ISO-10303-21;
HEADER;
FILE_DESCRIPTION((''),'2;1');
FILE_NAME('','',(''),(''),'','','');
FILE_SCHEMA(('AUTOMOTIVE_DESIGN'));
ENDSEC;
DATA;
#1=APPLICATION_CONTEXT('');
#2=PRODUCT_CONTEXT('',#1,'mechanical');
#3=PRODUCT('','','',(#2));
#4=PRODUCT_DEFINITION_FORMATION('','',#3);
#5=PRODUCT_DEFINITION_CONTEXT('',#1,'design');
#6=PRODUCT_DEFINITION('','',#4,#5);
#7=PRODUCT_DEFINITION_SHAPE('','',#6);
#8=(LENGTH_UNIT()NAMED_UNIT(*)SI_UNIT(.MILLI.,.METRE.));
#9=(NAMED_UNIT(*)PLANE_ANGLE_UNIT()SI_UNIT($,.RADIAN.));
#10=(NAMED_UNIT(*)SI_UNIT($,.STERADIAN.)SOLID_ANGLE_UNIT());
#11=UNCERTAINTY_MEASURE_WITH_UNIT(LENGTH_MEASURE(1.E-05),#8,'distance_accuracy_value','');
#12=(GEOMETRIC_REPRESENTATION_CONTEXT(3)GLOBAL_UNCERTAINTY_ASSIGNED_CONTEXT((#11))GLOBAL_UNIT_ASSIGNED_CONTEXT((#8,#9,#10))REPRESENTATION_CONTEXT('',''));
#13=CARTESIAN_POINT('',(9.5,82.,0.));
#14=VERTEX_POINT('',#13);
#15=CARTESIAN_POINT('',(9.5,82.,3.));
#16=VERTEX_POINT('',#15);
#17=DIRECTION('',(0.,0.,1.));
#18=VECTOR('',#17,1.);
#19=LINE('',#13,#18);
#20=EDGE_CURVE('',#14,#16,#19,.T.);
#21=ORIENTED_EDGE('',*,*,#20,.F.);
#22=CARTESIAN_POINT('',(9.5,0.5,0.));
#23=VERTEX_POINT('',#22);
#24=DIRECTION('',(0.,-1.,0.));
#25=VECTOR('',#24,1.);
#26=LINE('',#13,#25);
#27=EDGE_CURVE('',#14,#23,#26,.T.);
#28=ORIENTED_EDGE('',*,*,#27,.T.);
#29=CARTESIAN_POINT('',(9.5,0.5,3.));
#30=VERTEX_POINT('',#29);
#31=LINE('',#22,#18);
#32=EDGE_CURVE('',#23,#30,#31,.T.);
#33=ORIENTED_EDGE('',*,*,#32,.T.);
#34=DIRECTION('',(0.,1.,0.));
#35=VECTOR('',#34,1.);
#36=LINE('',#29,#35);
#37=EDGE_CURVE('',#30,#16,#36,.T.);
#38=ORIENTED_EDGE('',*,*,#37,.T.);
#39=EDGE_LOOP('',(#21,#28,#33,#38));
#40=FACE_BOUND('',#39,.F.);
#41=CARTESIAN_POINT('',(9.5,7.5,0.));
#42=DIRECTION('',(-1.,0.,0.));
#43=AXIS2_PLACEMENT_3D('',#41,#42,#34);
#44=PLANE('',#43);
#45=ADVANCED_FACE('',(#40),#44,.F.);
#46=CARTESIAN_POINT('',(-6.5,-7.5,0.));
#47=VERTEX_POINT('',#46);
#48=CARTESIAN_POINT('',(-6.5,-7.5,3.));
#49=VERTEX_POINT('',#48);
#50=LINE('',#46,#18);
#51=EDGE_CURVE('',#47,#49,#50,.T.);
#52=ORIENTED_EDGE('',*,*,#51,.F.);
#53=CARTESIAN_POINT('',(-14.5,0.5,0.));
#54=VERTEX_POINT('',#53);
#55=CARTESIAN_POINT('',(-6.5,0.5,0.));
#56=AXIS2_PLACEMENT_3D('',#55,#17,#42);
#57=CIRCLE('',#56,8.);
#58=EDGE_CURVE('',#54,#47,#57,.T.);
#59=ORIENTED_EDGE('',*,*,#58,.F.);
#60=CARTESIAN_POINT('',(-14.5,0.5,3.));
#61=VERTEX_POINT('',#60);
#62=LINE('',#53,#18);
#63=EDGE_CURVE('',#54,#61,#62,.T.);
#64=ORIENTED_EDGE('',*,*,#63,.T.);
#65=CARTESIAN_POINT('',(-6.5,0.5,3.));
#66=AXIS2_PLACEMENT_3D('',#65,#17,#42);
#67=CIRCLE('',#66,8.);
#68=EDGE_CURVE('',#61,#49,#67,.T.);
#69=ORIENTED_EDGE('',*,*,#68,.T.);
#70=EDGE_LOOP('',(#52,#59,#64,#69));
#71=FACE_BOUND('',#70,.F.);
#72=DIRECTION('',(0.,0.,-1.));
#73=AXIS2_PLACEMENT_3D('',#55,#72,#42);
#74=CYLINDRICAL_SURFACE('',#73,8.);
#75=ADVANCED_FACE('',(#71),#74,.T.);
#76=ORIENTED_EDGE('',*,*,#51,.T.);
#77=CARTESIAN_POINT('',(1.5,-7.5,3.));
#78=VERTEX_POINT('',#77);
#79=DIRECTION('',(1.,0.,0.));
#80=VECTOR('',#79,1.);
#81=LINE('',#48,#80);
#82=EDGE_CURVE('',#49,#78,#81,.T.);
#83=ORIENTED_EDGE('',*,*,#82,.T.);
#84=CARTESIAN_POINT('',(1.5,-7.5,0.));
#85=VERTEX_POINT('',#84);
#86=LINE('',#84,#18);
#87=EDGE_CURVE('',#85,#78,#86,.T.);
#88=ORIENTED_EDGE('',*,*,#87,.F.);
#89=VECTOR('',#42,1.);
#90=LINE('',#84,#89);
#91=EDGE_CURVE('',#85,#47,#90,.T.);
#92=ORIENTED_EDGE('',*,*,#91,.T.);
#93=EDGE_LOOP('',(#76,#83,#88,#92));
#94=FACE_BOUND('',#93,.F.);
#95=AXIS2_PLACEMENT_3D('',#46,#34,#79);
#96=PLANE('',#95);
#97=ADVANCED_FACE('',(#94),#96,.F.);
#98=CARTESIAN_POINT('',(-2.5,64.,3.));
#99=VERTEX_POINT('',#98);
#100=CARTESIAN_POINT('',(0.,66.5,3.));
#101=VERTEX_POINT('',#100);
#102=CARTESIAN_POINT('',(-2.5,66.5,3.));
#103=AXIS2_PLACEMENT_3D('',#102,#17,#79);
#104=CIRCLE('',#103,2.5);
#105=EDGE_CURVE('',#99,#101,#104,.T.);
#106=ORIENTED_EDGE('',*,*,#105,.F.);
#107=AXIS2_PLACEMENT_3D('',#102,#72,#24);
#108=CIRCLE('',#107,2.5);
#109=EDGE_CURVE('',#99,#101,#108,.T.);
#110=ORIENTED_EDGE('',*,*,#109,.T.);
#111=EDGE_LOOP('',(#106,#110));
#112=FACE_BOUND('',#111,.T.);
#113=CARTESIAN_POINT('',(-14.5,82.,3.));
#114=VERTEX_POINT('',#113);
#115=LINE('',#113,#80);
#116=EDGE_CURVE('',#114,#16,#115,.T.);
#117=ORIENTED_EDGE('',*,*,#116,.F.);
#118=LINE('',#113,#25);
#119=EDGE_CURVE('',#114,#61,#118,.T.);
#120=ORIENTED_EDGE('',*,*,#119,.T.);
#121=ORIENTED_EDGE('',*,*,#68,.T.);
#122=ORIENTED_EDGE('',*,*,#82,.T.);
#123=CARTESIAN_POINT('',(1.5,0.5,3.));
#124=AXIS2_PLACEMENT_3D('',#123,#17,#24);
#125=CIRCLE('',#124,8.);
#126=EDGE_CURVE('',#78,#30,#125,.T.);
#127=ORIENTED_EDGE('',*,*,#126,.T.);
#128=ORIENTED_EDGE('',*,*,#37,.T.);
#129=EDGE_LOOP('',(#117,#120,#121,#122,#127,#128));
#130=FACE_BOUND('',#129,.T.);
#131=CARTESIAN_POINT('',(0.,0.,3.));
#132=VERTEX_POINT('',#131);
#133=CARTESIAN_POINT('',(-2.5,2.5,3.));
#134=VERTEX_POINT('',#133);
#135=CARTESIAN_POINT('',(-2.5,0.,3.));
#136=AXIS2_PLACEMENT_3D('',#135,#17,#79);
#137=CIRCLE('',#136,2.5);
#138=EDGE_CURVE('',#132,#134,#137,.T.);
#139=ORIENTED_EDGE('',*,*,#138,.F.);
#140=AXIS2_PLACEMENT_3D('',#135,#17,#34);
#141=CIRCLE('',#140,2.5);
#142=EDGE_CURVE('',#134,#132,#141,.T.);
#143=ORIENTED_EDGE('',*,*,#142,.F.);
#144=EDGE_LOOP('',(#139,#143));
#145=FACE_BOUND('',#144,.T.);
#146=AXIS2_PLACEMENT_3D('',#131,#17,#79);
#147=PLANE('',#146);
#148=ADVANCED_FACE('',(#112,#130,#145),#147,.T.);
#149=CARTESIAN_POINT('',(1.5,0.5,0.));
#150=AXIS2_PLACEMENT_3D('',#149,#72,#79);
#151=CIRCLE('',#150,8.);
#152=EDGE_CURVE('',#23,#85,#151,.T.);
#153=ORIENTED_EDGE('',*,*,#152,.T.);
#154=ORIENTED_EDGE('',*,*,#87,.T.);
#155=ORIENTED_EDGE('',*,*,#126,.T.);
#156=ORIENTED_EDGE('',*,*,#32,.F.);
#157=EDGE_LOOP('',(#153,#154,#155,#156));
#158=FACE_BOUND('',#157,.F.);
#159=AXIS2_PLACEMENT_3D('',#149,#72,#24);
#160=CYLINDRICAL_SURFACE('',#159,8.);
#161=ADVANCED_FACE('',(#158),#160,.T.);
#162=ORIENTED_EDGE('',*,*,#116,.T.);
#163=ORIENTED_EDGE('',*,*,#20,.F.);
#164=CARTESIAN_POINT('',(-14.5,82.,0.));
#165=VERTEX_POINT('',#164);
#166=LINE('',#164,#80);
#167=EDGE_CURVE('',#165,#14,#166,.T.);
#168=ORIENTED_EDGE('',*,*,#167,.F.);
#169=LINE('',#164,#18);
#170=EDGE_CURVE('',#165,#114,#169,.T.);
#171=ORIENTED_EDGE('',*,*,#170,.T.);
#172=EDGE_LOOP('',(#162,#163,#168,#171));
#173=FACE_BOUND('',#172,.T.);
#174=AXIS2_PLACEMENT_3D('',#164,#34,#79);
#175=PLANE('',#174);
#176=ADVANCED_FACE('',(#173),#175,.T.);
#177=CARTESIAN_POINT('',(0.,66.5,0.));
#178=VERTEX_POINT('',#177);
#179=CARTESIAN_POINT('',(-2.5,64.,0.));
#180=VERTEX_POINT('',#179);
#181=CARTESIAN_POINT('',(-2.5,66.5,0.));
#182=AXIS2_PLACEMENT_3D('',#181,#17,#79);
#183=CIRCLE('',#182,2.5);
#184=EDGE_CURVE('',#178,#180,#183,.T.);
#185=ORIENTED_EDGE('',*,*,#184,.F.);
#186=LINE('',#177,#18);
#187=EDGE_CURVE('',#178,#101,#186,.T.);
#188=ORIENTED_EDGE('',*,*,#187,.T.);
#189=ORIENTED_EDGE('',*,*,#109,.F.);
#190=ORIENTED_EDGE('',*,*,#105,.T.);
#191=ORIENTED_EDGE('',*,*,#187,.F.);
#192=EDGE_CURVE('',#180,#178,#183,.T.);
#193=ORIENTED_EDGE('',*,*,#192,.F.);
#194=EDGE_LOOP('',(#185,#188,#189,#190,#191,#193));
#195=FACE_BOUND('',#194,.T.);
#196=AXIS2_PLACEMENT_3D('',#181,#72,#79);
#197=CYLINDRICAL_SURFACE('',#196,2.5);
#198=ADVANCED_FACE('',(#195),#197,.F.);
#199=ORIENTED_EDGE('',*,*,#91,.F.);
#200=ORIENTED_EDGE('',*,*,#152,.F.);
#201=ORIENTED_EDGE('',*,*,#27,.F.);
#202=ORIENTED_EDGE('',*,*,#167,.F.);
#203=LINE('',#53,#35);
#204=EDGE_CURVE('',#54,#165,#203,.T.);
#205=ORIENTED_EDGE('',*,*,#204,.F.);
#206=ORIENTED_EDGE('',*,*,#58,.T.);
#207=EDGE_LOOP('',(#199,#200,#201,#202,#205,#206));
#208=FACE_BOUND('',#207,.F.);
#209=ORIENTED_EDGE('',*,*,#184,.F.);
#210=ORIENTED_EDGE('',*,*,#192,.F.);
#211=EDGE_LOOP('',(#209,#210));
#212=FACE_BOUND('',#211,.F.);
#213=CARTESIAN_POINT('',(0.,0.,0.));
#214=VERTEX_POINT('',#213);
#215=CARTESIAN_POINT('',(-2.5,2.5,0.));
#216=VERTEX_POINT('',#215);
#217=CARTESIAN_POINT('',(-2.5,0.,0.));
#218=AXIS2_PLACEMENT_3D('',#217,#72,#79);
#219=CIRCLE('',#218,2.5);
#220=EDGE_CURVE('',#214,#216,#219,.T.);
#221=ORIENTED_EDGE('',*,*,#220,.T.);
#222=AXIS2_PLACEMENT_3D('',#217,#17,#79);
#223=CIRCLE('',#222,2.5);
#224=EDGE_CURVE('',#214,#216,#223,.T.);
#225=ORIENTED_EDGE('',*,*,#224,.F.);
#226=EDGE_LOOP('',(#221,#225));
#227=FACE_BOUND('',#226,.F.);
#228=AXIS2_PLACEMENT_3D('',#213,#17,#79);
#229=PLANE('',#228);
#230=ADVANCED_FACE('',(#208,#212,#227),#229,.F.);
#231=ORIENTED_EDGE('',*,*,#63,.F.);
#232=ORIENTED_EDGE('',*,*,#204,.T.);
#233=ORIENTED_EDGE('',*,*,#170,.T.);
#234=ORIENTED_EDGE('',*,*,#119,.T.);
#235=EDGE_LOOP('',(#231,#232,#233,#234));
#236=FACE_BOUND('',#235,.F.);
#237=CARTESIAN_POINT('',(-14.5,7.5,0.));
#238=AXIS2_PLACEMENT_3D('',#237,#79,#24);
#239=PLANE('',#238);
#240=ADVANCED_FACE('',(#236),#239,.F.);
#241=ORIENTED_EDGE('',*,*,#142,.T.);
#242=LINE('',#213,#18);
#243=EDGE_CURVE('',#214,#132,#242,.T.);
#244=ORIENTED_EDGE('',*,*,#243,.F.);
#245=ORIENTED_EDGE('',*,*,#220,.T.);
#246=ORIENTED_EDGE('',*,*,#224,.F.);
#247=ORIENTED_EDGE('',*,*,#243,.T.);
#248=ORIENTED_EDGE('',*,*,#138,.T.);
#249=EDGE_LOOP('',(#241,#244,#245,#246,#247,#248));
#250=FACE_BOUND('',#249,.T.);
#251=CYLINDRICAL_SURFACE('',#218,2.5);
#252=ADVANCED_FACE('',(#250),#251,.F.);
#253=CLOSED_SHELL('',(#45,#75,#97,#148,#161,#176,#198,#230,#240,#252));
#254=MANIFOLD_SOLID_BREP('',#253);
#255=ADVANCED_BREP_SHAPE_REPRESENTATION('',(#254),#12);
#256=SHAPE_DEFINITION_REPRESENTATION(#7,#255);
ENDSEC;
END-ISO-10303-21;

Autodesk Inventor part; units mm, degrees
ref_plane "YZ Plane" through (0, 0, 0) normal (1, 0, 0) x (0, 1, 0)
ref_plane "XZ Plane" through (0, 0, 0) normal (0, 1, 0) x (-1, 0, 0)
ref_plane "XY Plane" through (0, 0, 0) normal (0, 0, 1) x (1, 0, 0)
sketch "Esboço1" plane through (0, 0, 0) normal (0, 0, 1) x (1, 0, 0)
  line L0 (0, 0) -> (81.5, 0)
  line L1 (0, 0) -> (-2.5, 0)
  circle A0 centre (-2.5, 0) radius 2.5
  line L2 (-2.5, 0) -> (-2.5, 2.5)
  line L3 (-2.5, 2.5) -> (-2.5, 64)
  line L4 (-2.5, 64) -> (-2.5, 66.5)
  circle A1 centre (-2.5, 66.5) radius 2.5
  line L5 (-2.5, -2.5) -> (-2.5, -7.5)
  line L6 (-14.5, 7.5) -> (-14.5, 0.5)
  line L7 (-6.5, -7.5) -> (1.5, -7.5)
  line L8 (9.5, 0.5) -> (9.5, 7.5)
  line L9 (9.5, 7.5) -> (-14.5, -7.5) construction
  line L10 (-14.5, 7.5) -> (9.5, -7.5) construction
  arc A2 (-14.5, 0.5) -> (-6.5, -7.5) centre (-6.5, 0.5) ccw
  arc A3 (1.5, -7.5) -> (9.5, 0.5) centre (1.5, 0.5) ccw
  line L11 (40.75, 0) -> (40.75, 71.7729)
  line L12 (-14.5, 7.5) -> (-14.5, 82)
  line L13 (-2.5, 69) -> (-2.5, 74)
  line L14 (9.5, 7.5) -> (9.5, 82)
  line L15 (-14.5, 82) -> (9.5, 82)
  dimension "d7" = 5
  dimension "d0" = 81.5
  dimension "d3" = 5
  dimension "d5" = 61.5
  dimension "d6" = 2.5
  dimension "d11" = 5
  dimension "d13" = 24
  dimension "d14" = 8
  dimension "d15" = 8
  dimension "d16" = 5
  dimension "d17" = 8
extrude "Extrusão1" add sketch "Esboço1" along normal blind 3 contours A0 L5 L7 A2 L6 L12 L15 L14 L8 A3 L0 | L0 A3 L7 L5 A0
sketch "Esboço2" plane through (0, 0, 3) normal (0, 0, 1) x (1, 0, 0)
  circle A0 centre (-2.5, 0) radius 2.5 projected
  circle A1 centre (-2.5, 66.5) radius 2.5 projected
  line L0 (-2.5, 0) -> (-2.5, 66.5)
  point P0 (0, 0)
  dimension "d20" = 66.5
properties part number "Fixação luz de freio"
